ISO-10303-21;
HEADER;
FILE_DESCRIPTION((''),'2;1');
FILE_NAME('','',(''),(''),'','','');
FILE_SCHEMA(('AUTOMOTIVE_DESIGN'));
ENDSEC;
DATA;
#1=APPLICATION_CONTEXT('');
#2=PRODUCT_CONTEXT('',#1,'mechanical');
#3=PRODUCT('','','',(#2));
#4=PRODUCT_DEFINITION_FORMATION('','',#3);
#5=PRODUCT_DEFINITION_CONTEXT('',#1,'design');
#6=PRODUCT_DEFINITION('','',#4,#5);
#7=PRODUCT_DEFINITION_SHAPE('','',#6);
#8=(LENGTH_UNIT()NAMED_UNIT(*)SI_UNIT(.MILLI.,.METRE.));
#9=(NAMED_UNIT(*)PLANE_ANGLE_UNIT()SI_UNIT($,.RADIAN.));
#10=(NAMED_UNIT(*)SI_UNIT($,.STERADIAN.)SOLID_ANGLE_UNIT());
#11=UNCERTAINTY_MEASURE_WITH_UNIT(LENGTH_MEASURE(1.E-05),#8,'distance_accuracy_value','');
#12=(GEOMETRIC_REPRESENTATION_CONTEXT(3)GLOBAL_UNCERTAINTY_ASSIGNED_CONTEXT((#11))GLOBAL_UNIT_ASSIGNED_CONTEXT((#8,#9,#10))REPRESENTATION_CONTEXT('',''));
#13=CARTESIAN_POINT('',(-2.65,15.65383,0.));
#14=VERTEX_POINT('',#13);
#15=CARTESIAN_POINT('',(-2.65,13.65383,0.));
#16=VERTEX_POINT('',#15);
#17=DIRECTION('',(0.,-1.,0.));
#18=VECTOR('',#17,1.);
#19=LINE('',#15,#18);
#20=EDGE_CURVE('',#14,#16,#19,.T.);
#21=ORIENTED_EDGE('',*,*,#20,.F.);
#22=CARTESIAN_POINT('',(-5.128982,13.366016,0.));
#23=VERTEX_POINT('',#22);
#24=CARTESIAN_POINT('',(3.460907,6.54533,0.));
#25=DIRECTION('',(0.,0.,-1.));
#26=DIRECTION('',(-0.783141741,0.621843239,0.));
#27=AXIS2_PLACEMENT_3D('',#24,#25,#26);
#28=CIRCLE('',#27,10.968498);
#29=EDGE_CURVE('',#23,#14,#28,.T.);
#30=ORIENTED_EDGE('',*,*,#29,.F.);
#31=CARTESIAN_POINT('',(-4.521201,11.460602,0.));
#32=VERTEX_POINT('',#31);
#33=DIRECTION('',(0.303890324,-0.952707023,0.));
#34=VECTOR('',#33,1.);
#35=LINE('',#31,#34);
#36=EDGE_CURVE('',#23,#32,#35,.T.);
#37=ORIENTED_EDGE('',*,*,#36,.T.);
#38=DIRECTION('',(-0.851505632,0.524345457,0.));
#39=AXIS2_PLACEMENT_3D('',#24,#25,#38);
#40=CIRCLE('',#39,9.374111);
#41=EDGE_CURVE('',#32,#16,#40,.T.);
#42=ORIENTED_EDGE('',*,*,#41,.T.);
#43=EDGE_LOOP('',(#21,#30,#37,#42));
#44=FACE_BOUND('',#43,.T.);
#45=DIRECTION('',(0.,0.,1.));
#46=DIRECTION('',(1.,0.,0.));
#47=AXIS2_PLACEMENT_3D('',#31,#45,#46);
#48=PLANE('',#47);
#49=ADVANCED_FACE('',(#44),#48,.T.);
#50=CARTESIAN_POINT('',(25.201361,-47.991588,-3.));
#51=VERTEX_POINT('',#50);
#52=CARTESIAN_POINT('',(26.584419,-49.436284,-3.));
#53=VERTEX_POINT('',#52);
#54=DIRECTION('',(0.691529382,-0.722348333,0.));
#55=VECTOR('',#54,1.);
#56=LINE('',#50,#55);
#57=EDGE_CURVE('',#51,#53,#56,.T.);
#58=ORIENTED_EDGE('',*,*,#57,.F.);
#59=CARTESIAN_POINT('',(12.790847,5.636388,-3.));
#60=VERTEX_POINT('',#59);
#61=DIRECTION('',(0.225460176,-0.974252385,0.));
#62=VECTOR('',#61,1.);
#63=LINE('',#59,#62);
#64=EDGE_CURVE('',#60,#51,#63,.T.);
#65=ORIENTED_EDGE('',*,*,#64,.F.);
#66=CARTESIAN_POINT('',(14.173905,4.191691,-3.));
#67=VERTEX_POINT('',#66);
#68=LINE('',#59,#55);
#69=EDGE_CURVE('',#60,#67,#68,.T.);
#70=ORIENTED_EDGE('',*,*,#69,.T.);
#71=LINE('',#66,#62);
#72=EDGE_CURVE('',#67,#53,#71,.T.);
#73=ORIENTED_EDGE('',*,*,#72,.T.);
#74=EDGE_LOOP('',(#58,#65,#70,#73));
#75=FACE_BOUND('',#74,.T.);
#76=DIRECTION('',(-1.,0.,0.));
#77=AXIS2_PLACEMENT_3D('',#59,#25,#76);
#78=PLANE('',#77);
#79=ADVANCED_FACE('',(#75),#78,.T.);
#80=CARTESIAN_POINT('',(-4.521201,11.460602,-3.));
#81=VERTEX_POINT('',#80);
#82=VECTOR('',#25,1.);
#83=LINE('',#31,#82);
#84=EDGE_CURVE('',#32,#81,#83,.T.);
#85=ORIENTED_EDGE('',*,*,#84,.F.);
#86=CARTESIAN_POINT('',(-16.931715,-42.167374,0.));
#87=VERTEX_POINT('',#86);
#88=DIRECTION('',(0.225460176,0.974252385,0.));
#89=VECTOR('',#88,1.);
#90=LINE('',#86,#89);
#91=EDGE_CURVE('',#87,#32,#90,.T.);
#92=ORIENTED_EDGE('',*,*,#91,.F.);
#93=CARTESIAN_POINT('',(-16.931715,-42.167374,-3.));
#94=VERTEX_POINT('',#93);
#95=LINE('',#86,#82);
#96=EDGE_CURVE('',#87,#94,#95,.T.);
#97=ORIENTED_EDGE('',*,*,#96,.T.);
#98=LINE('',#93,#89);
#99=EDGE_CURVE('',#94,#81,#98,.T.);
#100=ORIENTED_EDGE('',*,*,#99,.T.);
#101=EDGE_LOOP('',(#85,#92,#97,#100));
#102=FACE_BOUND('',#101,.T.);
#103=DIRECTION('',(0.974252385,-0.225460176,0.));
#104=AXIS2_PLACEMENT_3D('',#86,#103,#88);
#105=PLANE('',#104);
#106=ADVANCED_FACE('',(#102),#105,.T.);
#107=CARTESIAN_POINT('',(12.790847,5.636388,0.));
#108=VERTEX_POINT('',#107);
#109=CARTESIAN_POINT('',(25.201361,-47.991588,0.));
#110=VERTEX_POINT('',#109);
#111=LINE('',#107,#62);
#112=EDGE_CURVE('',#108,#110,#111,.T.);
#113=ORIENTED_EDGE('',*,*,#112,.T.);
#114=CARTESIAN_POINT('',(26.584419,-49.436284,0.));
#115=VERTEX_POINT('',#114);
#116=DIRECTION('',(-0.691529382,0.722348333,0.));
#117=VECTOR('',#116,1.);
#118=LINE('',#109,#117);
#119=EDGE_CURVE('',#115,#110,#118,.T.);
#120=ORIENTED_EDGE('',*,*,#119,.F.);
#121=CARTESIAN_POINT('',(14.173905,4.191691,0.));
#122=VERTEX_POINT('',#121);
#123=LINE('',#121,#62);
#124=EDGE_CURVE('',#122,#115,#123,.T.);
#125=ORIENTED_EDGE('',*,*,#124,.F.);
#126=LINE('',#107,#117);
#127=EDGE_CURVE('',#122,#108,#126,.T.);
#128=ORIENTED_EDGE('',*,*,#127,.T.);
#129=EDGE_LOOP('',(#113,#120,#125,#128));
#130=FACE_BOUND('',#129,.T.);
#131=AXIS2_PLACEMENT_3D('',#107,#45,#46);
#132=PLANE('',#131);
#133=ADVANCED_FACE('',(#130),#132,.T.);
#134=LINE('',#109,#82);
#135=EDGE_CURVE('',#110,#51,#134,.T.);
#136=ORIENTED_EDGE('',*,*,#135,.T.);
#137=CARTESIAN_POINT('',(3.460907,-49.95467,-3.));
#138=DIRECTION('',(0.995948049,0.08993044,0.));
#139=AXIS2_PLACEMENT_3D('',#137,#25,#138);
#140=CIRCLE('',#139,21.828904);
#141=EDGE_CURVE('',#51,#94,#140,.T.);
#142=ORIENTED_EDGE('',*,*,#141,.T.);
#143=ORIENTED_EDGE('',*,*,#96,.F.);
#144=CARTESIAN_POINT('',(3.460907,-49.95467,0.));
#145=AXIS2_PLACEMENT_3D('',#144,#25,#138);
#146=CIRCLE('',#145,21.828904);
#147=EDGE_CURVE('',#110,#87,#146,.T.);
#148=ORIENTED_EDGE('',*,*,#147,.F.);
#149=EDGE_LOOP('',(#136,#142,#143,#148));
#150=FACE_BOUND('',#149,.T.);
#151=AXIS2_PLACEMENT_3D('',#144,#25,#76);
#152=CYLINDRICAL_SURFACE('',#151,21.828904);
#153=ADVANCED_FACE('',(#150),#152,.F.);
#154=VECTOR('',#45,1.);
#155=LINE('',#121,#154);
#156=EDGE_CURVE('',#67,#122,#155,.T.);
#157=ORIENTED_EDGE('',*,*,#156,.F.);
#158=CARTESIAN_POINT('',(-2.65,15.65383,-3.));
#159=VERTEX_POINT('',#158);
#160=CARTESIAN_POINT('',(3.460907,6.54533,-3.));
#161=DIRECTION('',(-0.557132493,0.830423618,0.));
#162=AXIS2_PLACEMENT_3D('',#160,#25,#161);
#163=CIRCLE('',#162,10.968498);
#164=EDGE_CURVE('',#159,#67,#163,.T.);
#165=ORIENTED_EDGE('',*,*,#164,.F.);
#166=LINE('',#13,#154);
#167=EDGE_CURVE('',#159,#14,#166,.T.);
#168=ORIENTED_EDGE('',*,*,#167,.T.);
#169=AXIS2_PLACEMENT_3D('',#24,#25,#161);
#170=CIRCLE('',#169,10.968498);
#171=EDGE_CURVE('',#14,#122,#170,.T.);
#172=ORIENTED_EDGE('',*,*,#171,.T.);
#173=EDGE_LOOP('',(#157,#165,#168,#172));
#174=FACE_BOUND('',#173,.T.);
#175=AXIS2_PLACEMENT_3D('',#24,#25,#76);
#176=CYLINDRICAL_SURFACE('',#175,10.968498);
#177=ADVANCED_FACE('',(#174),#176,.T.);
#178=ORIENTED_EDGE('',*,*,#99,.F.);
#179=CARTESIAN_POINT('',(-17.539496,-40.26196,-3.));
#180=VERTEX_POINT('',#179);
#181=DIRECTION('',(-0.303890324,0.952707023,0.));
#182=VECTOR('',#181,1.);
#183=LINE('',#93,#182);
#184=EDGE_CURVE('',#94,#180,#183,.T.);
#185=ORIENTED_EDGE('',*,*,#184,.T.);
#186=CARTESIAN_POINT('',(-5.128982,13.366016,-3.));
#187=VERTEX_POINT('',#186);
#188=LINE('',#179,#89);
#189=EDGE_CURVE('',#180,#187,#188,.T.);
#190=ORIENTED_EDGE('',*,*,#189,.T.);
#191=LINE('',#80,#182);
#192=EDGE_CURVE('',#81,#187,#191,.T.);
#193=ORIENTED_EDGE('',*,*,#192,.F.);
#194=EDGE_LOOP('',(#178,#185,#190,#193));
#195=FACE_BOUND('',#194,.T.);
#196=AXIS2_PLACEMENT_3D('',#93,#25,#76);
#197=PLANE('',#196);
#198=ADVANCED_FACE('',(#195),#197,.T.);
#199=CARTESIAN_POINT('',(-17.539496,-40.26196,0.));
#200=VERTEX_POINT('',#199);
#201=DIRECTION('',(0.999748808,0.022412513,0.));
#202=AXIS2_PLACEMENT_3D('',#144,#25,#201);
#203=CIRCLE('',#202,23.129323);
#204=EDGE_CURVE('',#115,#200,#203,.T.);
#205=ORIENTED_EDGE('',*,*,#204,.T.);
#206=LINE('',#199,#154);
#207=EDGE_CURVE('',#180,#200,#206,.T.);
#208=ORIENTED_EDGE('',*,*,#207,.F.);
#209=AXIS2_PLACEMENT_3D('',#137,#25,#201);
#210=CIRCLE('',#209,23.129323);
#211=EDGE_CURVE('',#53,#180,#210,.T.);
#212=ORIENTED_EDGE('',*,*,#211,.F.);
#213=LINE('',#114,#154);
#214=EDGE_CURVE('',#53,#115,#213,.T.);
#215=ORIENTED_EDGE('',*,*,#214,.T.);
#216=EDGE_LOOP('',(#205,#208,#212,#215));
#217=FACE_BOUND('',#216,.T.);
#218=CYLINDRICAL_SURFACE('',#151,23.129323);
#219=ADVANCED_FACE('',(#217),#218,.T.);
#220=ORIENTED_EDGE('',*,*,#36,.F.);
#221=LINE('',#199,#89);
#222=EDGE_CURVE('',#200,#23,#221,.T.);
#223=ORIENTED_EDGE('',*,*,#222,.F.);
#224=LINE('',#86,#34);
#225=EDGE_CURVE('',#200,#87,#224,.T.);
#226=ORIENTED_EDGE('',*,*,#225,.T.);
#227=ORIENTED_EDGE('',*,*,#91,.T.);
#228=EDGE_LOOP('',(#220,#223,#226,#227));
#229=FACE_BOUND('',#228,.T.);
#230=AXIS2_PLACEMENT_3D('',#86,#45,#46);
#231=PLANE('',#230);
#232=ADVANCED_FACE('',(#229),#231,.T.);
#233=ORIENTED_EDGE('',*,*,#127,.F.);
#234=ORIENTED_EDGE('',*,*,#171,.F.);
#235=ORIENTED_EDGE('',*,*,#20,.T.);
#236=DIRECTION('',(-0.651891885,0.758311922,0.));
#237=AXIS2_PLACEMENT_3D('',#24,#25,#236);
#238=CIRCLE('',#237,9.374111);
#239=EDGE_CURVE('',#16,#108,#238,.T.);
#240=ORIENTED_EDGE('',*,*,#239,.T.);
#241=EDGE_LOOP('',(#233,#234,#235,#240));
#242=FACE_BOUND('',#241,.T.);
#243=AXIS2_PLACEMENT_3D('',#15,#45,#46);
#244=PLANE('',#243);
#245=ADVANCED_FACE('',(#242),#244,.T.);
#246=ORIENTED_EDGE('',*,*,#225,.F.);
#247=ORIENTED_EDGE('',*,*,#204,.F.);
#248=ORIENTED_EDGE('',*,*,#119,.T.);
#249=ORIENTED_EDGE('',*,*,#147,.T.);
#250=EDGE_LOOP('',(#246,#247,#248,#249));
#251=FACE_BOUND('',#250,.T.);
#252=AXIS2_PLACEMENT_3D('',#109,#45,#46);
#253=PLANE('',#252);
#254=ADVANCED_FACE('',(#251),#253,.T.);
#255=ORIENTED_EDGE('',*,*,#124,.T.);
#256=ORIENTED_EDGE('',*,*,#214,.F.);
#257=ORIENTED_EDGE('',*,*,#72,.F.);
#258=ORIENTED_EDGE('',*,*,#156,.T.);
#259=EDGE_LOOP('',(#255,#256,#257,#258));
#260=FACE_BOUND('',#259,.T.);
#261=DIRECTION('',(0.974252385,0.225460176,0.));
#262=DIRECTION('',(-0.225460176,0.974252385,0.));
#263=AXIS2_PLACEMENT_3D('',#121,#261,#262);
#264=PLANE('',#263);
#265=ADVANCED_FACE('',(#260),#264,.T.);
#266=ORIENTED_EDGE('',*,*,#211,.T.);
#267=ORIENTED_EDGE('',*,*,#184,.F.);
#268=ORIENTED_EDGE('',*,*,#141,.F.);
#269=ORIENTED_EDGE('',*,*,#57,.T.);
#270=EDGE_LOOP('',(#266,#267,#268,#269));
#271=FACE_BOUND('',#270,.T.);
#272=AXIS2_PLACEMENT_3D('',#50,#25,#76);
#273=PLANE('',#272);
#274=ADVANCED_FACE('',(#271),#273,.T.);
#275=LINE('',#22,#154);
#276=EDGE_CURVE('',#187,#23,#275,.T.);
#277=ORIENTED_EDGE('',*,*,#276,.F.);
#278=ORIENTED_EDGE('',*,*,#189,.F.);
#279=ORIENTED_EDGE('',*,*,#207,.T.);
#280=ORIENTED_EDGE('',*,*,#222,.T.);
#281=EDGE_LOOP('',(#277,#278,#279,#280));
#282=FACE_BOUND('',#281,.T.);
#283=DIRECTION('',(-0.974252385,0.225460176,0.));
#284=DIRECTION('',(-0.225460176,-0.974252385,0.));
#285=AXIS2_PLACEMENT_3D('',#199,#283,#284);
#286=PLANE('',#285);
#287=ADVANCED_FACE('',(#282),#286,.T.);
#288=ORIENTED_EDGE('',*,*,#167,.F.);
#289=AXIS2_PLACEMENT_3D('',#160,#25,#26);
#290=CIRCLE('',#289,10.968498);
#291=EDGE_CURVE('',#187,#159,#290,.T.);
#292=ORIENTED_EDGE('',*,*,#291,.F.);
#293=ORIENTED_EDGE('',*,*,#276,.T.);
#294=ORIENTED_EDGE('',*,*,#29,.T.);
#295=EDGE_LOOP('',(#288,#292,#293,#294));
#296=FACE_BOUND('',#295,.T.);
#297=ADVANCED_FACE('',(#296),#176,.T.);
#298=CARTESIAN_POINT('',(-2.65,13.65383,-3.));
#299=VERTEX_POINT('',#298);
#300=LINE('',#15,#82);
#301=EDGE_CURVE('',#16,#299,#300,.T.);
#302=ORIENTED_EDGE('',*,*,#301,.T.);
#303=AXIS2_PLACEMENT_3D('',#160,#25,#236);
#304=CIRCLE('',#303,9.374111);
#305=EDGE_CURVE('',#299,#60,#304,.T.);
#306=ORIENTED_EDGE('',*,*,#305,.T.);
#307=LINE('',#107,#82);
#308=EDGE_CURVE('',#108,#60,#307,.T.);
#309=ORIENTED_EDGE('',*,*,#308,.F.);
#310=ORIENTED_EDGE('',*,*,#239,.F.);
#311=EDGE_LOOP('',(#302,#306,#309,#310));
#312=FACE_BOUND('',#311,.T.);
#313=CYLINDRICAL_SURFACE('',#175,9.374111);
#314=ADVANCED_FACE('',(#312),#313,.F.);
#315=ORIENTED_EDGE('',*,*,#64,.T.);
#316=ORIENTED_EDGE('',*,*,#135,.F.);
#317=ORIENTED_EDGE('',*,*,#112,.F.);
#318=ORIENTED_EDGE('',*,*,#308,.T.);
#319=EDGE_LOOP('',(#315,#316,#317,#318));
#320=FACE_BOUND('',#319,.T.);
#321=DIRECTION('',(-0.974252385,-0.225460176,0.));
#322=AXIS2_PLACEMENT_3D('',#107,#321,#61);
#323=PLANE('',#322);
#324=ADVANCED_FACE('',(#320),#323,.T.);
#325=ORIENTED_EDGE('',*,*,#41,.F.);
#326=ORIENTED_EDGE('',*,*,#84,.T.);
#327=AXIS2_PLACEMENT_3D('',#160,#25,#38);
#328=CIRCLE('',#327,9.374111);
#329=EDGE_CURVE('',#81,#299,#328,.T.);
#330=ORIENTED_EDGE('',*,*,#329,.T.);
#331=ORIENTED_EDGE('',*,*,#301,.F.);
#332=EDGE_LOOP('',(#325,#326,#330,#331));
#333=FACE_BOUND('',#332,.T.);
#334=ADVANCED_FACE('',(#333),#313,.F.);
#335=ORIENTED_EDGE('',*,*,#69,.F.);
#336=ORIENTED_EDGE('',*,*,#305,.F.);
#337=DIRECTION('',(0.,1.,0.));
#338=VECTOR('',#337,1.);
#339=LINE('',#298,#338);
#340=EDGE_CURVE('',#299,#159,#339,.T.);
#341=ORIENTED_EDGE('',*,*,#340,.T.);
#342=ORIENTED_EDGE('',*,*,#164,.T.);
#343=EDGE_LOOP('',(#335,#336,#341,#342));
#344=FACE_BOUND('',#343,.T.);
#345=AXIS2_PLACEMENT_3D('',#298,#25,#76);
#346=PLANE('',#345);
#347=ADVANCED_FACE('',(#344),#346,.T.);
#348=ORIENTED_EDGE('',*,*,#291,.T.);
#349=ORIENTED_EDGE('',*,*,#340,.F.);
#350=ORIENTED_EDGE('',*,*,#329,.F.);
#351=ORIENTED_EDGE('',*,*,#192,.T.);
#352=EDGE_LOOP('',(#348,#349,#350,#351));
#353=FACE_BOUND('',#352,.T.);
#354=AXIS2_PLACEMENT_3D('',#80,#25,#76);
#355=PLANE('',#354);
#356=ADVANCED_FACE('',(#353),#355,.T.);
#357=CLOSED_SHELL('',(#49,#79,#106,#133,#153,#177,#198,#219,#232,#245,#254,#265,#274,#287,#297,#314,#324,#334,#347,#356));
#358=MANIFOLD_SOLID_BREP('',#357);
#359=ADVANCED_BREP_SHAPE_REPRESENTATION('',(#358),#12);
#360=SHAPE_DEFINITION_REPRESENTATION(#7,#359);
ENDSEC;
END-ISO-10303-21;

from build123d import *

# Parameters (mm, degrees)
SKETCH5_W = 3
SKETCH5_H = 2


with BuildPart() as part:
    # Sweep2: sweep along a path in Sketch2
    with BuildLine(Plane.XY) as sweep2_path:
        Line((10.386379851, 8.148013319), (22.796893852, -45.479962373))
        ThreePointArc((22.796893852, -45.479962373), (3.460906776, -69.801670494), (-15.875080301, -45.479962373))
        Line((-15.875080301, -45.479962373), (-3.4645663, 8.148013319))
        ThreePointArc((-3.4645663, 8.148013319), (3.460906776, 13.653829655), (10.386379851, 8.148013319))
    # Sketch5 → Sweep2 (sweep)
    with BuildSketch(Plane(origin=(-2.65, 0, 0), x_dir=(0, 0, -1), z_dir=(1, 0, 0))):
        with Locations((1.5, 14.653829655)):
            Rectangle(SKETCH5_W, SKETCH5_H)
    sweep(path=sweep2_path.line)


solid = part.part
